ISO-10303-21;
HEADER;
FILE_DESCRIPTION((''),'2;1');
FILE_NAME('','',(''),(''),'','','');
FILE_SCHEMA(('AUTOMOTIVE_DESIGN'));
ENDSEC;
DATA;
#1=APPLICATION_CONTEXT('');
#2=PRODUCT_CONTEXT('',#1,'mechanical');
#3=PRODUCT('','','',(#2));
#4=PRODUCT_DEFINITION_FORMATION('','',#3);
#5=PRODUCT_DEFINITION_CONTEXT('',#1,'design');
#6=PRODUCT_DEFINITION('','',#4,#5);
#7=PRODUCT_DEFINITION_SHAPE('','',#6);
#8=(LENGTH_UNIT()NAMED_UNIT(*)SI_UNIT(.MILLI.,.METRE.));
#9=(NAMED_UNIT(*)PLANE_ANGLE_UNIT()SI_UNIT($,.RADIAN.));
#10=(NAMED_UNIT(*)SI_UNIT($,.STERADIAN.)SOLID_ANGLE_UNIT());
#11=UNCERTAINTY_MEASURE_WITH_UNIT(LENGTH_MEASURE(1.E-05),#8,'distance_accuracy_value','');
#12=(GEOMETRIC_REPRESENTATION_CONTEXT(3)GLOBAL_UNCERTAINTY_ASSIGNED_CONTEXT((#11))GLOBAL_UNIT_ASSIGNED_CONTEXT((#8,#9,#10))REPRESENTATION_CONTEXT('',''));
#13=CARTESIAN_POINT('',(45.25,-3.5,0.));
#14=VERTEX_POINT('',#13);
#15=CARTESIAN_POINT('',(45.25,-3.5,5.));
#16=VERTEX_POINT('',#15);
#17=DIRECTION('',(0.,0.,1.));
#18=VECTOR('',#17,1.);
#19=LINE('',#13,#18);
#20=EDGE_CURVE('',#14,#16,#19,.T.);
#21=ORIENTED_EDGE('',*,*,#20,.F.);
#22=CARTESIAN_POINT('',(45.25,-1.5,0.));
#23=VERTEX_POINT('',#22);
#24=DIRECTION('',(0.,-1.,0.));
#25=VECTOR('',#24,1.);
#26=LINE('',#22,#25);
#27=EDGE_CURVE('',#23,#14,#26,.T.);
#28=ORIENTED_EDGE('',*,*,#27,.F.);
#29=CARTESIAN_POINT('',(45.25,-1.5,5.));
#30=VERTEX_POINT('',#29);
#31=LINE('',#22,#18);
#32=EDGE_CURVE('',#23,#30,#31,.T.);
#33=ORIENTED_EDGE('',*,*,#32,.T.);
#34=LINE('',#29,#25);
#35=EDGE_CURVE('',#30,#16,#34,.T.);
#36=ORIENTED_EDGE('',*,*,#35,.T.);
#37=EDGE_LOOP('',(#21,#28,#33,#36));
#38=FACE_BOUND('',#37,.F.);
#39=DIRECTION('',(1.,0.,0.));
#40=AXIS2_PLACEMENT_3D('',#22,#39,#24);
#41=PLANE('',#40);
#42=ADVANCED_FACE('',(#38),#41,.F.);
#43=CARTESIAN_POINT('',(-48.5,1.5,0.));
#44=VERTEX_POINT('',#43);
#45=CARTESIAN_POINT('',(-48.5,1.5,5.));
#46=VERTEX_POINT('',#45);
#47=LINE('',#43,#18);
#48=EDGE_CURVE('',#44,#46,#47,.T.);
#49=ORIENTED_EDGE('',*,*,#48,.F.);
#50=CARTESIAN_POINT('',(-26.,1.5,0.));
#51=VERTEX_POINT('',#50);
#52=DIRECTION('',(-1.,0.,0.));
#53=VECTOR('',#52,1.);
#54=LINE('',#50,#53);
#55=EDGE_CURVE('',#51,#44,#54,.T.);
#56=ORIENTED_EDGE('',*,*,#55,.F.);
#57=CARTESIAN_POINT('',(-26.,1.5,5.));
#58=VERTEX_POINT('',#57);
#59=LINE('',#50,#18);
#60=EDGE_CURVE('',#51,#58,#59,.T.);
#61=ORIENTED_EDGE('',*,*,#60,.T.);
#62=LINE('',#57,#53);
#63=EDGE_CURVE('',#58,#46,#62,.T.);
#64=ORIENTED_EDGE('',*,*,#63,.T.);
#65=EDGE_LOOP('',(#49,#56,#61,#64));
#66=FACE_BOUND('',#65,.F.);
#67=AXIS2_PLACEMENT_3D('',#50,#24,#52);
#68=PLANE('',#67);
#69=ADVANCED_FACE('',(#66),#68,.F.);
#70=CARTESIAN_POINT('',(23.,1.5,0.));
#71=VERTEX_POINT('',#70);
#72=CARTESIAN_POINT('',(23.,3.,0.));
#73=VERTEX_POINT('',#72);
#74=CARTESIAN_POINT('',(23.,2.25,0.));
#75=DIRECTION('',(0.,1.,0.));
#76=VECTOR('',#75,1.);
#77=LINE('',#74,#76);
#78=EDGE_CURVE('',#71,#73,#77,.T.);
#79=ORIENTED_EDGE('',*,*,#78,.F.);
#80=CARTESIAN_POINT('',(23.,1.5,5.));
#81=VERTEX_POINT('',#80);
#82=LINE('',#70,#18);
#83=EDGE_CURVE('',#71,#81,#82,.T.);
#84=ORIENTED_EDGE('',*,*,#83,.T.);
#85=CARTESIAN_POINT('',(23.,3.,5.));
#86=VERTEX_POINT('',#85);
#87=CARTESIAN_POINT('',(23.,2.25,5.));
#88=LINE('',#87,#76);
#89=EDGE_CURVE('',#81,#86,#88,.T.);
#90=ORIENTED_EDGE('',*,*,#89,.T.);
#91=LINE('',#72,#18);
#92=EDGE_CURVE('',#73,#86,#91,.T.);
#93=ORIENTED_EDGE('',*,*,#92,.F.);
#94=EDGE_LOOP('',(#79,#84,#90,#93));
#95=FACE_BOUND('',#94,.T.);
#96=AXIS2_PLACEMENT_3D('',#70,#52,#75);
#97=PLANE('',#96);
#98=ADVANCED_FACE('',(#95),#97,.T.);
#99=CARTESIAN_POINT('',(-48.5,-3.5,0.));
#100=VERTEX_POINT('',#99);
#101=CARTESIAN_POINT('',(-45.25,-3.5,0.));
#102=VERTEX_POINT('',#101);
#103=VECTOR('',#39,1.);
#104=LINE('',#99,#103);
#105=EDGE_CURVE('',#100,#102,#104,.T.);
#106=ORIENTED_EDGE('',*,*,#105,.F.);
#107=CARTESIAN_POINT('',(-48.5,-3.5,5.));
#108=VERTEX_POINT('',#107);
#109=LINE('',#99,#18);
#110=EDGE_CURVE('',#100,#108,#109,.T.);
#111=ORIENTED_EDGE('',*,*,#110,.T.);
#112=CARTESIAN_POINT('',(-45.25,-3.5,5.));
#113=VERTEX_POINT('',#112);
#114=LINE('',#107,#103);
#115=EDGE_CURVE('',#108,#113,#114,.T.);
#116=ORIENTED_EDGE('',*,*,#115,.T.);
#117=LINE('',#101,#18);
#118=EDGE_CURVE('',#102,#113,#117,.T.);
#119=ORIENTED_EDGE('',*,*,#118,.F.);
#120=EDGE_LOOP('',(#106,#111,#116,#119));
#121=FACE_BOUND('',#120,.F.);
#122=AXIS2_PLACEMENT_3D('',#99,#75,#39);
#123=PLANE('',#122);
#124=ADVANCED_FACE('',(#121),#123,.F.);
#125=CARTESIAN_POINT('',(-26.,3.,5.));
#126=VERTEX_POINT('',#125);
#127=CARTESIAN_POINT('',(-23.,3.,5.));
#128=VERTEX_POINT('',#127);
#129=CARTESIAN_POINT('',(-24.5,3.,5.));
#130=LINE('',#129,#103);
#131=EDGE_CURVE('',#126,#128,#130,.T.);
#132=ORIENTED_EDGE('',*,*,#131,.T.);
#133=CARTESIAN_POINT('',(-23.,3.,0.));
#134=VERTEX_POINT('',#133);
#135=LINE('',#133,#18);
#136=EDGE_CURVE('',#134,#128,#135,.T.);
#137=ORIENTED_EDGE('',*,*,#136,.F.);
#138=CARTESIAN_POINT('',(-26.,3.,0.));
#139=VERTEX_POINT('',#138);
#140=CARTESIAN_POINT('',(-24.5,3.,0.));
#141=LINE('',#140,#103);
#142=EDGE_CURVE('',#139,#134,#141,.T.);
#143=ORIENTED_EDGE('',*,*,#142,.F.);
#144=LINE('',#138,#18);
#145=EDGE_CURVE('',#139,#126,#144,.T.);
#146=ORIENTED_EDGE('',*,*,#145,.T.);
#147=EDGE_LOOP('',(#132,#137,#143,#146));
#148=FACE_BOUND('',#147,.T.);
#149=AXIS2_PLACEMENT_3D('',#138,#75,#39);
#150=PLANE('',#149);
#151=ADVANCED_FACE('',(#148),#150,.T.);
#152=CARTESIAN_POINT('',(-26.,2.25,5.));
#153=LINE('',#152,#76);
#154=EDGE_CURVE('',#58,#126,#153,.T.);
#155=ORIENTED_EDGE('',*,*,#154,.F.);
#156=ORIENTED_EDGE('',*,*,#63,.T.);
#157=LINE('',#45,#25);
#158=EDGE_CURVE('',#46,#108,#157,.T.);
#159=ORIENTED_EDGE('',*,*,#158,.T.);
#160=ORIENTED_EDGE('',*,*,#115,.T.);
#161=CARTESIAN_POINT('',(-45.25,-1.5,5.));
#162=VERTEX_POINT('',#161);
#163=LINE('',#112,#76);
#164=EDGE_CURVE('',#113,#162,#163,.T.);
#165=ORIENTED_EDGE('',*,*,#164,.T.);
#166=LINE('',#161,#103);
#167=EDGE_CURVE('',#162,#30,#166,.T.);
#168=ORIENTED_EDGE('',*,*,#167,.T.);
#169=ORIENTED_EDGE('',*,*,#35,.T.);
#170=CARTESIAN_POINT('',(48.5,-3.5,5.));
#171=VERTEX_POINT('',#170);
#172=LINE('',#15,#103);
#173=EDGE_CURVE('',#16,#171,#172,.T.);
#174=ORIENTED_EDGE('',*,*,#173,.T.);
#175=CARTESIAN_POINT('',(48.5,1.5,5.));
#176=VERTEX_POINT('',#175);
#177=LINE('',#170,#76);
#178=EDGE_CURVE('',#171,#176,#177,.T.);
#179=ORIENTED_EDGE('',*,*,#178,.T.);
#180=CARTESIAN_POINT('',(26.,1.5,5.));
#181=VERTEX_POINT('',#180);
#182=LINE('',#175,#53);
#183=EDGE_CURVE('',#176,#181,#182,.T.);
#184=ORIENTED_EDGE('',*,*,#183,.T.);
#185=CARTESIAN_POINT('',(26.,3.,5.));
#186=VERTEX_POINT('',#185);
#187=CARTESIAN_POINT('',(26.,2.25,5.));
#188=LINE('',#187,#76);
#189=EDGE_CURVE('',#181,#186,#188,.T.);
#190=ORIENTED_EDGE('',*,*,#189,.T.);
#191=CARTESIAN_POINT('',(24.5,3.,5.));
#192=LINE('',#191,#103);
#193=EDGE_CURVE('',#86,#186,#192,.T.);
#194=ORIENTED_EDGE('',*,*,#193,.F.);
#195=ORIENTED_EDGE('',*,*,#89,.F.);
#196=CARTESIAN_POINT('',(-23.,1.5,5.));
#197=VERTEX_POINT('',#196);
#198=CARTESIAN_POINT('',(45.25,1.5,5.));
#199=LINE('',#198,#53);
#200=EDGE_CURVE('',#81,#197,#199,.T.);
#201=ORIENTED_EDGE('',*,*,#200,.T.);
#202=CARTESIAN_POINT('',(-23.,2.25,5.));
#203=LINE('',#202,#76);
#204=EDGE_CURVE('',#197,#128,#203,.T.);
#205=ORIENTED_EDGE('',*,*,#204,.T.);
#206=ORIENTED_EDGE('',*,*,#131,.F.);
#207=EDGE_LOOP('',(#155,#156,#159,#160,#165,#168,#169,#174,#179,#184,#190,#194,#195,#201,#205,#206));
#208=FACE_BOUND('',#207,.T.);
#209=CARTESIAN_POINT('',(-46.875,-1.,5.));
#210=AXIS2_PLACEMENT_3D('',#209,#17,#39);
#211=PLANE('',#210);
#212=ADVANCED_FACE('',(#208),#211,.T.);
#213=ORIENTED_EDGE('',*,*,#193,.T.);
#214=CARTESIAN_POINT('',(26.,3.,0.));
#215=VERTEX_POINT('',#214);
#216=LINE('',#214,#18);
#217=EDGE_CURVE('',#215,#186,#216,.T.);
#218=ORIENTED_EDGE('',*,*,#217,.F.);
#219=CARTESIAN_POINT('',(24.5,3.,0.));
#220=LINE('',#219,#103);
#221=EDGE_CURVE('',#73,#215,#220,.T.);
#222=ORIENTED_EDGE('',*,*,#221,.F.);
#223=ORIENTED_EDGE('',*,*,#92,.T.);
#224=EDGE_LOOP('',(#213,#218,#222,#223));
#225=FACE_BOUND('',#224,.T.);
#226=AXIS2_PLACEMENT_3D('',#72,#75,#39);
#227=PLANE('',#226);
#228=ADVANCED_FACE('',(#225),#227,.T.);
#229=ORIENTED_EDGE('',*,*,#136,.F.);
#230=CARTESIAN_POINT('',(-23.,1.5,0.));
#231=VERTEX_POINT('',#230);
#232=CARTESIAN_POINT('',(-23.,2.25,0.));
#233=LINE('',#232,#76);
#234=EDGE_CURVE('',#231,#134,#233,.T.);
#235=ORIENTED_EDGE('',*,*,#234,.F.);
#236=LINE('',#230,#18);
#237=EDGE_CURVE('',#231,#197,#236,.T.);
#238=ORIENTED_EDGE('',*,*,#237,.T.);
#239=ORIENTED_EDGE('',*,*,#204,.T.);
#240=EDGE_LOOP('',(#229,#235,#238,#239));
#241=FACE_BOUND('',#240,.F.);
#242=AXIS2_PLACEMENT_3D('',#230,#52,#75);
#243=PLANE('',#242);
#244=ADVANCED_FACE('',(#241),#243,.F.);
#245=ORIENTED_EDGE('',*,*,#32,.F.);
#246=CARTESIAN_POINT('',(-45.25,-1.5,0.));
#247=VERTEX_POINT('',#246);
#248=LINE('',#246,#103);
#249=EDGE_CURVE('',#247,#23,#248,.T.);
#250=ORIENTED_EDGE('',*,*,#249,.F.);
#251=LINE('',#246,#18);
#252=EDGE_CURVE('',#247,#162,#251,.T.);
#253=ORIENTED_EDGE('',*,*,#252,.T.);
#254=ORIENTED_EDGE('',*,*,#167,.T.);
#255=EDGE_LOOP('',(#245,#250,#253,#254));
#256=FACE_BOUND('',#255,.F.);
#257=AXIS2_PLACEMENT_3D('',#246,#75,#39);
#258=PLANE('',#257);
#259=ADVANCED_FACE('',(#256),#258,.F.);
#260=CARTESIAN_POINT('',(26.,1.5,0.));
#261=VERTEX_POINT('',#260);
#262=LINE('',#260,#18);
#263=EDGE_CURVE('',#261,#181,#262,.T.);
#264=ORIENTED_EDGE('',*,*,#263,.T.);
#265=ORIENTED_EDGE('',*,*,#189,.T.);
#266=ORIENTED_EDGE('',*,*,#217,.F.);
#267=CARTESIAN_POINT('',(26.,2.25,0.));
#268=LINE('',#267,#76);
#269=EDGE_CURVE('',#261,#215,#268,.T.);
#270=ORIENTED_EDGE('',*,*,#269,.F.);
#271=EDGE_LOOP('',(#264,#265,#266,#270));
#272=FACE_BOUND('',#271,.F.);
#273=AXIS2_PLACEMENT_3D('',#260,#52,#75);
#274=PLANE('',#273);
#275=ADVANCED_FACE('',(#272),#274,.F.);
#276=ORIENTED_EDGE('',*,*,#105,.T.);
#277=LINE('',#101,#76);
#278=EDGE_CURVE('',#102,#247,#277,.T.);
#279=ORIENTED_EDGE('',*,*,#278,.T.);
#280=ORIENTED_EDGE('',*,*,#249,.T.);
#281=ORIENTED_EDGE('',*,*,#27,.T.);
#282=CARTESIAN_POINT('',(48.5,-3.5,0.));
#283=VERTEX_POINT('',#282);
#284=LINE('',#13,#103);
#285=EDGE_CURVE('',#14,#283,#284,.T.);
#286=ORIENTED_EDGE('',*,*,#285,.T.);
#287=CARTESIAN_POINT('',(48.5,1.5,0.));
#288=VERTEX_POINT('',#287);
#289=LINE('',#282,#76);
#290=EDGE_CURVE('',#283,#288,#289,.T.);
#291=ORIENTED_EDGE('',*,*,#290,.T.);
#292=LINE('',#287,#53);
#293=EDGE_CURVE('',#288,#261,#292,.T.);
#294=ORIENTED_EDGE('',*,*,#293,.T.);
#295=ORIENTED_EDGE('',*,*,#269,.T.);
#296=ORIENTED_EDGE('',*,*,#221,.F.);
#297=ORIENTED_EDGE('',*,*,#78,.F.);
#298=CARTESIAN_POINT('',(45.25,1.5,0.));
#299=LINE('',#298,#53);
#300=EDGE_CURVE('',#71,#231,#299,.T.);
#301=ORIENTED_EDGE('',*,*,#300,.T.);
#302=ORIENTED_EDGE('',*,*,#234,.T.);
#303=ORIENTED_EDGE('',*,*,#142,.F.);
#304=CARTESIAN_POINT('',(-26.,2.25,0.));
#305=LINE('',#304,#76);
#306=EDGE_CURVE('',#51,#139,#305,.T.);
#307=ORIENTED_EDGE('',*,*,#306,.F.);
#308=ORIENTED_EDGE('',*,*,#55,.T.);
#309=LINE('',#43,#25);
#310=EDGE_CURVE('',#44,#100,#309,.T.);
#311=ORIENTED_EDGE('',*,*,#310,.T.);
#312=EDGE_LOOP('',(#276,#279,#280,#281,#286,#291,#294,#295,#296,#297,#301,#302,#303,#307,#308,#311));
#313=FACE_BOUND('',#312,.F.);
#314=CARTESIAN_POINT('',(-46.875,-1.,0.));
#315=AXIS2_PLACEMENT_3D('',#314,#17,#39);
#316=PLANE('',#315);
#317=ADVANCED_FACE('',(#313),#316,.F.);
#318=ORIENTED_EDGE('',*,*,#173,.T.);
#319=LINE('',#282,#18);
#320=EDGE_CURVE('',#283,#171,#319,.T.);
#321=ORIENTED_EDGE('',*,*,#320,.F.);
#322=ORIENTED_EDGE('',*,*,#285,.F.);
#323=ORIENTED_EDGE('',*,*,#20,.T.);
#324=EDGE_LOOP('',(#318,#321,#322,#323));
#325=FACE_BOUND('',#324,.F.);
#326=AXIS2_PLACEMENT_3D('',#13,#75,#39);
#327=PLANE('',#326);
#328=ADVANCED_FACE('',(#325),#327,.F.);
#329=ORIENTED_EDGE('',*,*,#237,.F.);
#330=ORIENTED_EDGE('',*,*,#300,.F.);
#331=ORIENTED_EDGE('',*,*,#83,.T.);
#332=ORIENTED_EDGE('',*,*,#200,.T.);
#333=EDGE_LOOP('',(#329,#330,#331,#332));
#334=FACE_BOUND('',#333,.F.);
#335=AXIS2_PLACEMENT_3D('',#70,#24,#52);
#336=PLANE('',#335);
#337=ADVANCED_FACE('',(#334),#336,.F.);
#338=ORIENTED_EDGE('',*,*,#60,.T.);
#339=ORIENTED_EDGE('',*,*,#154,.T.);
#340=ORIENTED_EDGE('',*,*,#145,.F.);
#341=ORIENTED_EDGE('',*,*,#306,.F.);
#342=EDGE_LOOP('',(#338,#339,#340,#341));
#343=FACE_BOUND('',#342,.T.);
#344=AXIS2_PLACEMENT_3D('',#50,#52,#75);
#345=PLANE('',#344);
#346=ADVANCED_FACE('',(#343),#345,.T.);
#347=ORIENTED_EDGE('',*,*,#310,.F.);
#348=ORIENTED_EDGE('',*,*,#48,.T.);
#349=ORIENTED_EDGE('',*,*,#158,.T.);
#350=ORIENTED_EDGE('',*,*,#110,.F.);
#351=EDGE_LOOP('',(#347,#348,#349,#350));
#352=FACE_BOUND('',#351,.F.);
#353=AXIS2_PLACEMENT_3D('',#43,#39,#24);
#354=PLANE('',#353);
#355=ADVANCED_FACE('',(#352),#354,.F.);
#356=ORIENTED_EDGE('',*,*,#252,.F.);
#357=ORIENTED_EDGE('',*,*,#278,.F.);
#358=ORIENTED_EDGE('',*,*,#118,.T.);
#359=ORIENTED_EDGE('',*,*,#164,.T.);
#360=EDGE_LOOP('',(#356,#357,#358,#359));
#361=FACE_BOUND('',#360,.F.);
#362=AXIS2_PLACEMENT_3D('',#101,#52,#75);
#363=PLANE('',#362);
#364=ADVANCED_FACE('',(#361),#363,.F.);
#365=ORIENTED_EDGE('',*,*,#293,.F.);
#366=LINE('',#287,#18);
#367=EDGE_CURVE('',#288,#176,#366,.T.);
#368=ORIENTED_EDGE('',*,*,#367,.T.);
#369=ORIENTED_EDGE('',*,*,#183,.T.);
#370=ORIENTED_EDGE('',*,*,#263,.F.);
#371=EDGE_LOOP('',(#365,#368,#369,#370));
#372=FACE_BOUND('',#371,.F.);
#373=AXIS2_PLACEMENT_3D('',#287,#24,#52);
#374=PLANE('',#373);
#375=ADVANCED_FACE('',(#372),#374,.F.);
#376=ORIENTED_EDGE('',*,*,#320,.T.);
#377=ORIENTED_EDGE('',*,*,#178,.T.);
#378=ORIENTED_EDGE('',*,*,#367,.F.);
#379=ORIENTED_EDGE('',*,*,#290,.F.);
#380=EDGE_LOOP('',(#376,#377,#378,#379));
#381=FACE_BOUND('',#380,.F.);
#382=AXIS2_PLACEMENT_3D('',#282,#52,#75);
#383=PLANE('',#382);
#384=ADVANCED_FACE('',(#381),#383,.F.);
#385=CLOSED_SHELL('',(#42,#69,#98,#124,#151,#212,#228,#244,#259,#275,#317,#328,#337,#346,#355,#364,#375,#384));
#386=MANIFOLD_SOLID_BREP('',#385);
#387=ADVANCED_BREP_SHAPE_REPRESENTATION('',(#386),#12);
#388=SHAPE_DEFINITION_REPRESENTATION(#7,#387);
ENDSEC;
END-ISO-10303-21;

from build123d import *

# Parameters (mm, degrees)
F0_W     = 3
F0_H     = 1.5
F1_DEPTH = 5


with BuildPart() as f1:
    # F0 (on Top) → F1 (new body)
    with BuildSketch(Plane.XY):
        Polygon((-45.25, -3.5), (-45.25, -1.5), (-45.25, 1.5), (-48.5, 1.5), (-48.5, -3.5), align=None)
        with Locations((-24.5, 2.25)):
            Rectangle(F0_W, F0_H)
        Polygon((-45.25, -1.5), (45.25, -1.5), (45.25, 1.5), (26, 1.5), (23, 1.5), (-23, 1.5), (-26, 1.5), (-45.25, 1.5), align=None)
        with Locations((24.5, 2.25)):
            Rectangle(F0_W, F0_H)
        Polygon((45.25, 1.5), (45.25, -1.5), (45.25, -3.5), (48.5, -3.5), (48.5, 1.5), align=None)
    extrude(amount=F1_DEPTH)


solid = f1.part
